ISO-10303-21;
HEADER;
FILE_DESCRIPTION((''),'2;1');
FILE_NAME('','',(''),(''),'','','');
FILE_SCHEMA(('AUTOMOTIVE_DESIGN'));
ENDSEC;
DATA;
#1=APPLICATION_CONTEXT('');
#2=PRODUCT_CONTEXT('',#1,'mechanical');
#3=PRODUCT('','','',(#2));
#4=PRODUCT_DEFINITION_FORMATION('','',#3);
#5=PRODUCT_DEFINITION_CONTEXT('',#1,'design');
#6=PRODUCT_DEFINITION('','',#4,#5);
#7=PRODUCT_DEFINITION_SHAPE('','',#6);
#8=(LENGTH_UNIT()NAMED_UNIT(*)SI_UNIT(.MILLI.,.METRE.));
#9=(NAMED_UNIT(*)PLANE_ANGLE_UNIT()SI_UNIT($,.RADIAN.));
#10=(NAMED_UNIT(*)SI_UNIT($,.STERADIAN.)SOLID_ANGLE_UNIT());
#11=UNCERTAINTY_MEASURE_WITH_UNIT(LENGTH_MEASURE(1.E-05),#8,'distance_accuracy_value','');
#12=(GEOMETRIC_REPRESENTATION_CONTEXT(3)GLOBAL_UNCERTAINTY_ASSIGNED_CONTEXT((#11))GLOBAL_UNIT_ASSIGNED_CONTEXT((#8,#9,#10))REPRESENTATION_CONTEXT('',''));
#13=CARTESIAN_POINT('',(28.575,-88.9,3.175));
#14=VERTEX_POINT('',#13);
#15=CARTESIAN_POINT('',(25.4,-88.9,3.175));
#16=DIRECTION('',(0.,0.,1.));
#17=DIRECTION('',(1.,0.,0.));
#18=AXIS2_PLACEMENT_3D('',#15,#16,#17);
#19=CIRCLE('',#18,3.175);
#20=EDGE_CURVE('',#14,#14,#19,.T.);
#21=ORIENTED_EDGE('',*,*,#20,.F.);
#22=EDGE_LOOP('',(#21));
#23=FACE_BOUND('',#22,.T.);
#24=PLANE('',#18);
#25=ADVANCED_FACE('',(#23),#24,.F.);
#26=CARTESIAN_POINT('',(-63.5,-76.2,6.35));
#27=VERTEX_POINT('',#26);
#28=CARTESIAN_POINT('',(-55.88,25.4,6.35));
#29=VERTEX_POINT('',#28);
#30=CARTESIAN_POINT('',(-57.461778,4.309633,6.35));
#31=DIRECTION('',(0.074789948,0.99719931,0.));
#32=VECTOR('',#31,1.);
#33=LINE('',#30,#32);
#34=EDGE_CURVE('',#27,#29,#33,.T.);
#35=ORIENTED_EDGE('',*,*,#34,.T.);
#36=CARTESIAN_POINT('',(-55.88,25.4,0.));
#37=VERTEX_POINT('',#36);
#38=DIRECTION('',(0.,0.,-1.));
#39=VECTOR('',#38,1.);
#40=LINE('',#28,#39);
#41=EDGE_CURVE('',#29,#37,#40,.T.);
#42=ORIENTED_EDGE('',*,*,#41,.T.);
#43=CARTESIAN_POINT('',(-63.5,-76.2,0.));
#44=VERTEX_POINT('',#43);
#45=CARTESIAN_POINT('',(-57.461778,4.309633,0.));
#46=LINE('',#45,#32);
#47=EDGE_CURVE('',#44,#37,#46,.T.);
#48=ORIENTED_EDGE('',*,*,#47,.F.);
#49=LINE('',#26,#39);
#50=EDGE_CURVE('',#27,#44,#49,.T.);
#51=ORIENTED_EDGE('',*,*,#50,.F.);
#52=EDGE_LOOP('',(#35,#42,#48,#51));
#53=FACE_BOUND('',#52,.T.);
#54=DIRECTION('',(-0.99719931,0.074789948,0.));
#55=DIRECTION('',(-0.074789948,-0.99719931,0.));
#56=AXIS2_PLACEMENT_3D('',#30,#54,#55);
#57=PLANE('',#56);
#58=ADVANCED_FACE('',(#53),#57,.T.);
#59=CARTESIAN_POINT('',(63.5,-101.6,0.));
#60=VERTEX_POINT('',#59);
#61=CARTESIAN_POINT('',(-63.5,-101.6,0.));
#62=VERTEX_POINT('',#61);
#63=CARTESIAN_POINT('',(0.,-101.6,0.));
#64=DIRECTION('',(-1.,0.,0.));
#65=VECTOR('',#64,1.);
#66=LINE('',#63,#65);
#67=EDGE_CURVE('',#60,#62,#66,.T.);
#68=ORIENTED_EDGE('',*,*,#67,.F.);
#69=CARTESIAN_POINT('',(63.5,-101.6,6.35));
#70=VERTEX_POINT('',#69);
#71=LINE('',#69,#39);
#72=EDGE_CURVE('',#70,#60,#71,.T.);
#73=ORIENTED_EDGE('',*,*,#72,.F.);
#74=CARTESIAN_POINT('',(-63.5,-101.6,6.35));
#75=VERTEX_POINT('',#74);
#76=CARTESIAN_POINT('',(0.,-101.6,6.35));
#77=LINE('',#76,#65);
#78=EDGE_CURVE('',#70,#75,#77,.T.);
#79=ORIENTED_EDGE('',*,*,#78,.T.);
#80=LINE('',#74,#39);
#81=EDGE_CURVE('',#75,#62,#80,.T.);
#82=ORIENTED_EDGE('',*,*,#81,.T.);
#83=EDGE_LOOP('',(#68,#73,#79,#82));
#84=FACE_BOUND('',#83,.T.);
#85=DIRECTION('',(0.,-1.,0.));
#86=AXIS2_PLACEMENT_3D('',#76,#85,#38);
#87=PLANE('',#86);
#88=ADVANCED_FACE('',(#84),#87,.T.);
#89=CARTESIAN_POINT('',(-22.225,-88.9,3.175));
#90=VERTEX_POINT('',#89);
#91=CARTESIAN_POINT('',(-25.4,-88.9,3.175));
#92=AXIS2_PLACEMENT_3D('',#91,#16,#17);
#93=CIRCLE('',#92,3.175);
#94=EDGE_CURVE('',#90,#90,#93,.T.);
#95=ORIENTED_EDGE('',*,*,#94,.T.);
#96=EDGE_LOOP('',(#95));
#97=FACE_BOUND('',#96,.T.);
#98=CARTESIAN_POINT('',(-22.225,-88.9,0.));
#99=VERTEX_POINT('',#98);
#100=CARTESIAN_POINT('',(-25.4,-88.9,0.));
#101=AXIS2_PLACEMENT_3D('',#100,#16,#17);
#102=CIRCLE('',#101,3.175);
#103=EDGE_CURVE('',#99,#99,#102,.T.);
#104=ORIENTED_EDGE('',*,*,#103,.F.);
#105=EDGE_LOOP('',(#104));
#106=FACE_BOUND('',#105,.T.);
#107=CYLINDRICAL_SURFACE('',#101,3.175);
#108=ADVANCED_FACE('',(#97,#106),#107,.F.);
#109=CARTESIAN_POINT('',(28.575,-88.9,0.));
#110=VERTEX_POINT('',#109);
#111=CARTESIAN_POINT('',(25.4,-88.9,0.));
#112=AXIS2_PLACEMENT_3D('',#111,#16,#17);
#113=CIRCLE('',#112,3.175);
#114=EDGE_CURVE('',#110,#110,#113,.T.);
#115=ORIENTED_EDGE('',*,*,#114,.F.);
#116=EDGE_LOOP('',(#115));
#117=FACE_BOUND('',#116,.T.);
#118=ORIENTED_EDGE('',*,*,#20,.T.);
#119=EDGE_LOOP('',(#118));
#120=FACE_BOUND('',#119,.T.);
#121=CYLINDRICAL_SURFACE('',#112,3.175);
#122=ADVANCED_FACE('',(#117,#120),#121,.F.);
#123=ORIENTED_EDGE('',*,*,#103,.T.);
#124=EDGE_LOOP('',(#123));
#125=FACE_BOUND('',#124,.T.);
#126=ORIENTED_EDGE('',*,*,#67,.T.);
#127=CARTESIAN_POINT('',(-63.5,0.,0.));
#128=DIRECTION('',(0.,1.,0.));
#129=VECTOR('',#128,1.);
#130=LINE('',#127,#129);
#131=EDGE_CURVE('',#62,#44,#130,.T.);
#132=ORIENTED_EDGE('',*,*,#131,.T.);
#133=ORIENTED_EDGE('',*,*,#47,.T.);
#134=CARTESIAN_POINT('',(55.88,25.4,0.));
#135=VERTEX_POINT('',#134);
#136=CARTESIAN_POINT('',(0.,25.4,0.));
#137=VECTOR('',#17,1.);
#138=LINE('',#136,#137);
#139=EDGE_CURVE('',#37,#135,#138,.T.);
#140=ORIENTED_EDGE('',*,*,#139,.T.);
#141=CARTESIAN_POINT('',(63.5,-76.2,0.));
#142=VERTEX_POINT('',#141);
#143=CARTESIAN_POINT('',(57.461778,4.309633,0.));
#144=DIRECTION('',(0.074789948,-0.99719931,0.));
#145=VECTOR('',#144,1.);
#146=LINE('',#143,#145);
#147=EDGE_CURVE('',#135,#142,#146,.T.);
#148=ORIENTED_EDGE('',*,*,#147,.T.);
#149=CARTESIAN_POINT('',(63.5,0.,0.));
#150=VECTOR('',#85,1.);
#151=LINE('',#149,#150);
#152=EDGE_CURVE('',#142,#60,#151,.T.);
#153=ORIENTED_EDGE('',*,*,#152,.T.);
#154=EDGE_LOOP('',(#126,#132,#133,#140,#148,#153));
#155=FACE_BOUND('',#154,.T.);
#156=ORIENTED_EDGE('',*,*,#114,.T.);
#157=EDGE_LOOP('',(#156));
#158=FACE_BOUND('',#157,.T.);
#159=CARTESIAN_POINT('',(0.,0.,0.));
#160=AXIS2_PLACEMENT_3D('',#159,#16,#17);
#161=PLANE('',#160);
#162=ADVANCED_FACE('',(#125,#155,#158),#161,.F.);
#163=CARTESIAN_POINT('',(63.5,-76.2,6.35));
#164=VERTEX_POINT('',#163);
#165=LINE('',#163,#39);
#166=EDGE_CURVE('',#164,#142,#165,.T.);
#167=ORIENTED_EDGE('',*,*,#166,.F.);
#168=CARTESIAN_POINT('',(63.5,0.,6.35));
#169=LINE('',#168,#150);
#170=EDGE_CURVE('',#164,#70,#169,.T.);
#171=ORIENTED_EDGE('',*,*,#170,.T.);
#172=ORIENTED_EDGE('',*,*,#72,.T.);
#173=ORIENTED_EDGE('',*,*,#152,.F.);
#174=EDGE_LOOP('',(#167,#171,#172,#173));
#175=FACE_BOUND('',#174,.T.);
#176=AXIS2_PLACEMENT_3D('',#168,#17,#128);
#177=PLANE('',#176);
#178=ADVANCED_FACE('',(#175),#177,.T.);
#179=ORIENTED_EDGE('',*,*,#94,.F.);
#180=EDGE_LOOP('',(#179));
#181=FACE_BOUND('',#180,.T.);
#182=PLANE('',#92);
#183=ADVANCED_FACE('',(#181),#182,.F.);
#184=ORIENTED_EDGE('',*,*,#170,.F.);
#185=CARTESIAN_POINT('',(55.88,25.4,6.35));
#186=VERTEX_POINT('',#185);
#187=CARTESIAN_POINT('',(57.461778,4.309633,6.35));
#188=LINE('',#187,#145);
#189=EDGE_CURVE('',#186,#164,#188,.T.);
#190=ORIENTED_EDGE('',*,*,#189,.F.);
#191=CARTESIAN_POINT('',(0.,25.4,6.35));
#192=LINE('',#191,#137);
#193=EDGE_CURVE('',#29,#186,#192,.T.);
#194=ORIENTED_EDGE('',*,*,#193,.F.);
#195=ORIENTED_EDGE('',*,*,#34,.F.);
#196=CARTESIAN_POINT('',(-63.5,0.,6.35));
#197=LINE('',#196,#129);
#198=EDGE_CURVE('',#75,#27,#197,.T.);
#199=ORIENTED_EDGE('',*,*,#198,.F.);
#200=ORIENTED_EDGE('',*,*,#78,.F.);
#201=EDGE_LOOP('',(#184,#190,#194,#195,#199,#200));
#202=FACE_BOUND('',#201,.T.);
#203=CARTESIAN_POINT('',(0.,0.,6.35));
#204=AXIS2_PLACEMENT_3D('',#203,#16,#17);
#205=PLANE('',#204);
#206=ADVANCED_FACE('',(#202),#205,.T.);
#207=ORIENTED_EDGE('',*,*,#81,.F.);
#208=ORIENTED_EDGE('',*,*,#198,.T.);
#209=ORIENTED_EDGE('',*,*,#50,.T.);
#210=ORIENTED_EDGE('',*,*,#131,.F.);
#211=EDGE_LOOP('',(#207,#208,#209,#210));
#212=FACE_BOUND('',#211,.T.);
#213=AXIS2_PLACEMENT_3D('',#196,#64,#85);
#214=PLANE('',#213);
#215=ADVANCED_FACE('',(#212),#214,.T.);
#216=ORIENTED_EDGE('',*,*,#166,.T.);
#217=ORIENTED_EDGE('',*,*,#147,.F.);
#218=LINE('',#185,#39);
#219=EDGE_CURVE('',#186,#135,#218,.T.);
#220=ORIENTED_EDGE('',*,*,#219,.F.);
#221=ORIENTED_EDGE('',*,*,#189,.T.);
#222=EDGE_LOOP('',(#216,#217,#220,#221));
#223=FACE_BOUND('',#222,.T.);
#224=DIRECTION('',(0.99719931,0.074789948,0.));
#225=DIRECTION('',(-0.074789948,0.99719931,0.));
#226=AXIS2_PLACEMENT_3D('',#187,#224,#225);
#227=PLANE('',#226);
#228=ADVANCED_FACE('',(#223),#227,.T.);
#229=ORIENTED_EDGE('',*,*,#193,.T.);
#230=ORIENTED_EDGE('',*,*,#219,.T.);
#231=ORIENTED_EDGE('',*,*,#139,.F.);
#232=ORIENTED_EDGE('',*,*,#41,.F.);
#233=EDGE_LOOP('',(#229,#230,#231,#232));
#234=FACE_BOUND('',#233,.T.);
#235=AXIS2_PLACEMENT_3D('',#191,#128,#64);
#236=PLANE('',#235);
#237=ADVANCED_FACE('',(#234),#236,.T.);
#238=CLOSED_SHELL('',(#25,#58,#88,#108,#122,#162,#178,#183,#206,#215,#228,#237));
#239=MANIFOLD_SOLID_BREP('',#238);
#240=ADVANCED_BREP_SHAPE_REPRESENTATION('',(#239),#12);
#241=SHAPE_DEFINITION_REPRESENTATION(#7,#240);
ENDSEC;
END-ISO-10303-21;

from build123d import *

# Parameters (mm, degrees)
SKETCH1_W           = 127
SKETCH1_H           = 25.4
BOSS_EXTRUDE1_DEPTH = 6.35
SKETCH2_R           = 3.175
CUT_EXTRUDE1_DEPTH  = 3.175


with BuildPart() as part:
    # Sketch1 → Boss-Extrude1 (new body)
    with BuildSketch(Plane.XY):
        Polygon((55.88, 25.4), (63.5, -76.2), (-63.5, -76.2), (-55.88, 25.4), align=None)
        with Locations((0, -88.9)):
            Rectangle(SKETCH1_W, SKETCH1_H)
    extrude(amount=BOSS_EXTRUDE1_DEPTH)

    # Sketch2 → Cut-Extrude1 (cut)
    with BuildSketch(Plane.XY.offset(3.175)):
        with Locations((-25.4, -88.9)):
            Circle(SKETCH2_R)
        with Locations((25.4, -88.9)):
            Circle(SKETCH2_R)
    extrude(amount=-CUT_EXTRUDE1_DEPTH, mode=Mode.SUBTRACT)


solid = part.part
